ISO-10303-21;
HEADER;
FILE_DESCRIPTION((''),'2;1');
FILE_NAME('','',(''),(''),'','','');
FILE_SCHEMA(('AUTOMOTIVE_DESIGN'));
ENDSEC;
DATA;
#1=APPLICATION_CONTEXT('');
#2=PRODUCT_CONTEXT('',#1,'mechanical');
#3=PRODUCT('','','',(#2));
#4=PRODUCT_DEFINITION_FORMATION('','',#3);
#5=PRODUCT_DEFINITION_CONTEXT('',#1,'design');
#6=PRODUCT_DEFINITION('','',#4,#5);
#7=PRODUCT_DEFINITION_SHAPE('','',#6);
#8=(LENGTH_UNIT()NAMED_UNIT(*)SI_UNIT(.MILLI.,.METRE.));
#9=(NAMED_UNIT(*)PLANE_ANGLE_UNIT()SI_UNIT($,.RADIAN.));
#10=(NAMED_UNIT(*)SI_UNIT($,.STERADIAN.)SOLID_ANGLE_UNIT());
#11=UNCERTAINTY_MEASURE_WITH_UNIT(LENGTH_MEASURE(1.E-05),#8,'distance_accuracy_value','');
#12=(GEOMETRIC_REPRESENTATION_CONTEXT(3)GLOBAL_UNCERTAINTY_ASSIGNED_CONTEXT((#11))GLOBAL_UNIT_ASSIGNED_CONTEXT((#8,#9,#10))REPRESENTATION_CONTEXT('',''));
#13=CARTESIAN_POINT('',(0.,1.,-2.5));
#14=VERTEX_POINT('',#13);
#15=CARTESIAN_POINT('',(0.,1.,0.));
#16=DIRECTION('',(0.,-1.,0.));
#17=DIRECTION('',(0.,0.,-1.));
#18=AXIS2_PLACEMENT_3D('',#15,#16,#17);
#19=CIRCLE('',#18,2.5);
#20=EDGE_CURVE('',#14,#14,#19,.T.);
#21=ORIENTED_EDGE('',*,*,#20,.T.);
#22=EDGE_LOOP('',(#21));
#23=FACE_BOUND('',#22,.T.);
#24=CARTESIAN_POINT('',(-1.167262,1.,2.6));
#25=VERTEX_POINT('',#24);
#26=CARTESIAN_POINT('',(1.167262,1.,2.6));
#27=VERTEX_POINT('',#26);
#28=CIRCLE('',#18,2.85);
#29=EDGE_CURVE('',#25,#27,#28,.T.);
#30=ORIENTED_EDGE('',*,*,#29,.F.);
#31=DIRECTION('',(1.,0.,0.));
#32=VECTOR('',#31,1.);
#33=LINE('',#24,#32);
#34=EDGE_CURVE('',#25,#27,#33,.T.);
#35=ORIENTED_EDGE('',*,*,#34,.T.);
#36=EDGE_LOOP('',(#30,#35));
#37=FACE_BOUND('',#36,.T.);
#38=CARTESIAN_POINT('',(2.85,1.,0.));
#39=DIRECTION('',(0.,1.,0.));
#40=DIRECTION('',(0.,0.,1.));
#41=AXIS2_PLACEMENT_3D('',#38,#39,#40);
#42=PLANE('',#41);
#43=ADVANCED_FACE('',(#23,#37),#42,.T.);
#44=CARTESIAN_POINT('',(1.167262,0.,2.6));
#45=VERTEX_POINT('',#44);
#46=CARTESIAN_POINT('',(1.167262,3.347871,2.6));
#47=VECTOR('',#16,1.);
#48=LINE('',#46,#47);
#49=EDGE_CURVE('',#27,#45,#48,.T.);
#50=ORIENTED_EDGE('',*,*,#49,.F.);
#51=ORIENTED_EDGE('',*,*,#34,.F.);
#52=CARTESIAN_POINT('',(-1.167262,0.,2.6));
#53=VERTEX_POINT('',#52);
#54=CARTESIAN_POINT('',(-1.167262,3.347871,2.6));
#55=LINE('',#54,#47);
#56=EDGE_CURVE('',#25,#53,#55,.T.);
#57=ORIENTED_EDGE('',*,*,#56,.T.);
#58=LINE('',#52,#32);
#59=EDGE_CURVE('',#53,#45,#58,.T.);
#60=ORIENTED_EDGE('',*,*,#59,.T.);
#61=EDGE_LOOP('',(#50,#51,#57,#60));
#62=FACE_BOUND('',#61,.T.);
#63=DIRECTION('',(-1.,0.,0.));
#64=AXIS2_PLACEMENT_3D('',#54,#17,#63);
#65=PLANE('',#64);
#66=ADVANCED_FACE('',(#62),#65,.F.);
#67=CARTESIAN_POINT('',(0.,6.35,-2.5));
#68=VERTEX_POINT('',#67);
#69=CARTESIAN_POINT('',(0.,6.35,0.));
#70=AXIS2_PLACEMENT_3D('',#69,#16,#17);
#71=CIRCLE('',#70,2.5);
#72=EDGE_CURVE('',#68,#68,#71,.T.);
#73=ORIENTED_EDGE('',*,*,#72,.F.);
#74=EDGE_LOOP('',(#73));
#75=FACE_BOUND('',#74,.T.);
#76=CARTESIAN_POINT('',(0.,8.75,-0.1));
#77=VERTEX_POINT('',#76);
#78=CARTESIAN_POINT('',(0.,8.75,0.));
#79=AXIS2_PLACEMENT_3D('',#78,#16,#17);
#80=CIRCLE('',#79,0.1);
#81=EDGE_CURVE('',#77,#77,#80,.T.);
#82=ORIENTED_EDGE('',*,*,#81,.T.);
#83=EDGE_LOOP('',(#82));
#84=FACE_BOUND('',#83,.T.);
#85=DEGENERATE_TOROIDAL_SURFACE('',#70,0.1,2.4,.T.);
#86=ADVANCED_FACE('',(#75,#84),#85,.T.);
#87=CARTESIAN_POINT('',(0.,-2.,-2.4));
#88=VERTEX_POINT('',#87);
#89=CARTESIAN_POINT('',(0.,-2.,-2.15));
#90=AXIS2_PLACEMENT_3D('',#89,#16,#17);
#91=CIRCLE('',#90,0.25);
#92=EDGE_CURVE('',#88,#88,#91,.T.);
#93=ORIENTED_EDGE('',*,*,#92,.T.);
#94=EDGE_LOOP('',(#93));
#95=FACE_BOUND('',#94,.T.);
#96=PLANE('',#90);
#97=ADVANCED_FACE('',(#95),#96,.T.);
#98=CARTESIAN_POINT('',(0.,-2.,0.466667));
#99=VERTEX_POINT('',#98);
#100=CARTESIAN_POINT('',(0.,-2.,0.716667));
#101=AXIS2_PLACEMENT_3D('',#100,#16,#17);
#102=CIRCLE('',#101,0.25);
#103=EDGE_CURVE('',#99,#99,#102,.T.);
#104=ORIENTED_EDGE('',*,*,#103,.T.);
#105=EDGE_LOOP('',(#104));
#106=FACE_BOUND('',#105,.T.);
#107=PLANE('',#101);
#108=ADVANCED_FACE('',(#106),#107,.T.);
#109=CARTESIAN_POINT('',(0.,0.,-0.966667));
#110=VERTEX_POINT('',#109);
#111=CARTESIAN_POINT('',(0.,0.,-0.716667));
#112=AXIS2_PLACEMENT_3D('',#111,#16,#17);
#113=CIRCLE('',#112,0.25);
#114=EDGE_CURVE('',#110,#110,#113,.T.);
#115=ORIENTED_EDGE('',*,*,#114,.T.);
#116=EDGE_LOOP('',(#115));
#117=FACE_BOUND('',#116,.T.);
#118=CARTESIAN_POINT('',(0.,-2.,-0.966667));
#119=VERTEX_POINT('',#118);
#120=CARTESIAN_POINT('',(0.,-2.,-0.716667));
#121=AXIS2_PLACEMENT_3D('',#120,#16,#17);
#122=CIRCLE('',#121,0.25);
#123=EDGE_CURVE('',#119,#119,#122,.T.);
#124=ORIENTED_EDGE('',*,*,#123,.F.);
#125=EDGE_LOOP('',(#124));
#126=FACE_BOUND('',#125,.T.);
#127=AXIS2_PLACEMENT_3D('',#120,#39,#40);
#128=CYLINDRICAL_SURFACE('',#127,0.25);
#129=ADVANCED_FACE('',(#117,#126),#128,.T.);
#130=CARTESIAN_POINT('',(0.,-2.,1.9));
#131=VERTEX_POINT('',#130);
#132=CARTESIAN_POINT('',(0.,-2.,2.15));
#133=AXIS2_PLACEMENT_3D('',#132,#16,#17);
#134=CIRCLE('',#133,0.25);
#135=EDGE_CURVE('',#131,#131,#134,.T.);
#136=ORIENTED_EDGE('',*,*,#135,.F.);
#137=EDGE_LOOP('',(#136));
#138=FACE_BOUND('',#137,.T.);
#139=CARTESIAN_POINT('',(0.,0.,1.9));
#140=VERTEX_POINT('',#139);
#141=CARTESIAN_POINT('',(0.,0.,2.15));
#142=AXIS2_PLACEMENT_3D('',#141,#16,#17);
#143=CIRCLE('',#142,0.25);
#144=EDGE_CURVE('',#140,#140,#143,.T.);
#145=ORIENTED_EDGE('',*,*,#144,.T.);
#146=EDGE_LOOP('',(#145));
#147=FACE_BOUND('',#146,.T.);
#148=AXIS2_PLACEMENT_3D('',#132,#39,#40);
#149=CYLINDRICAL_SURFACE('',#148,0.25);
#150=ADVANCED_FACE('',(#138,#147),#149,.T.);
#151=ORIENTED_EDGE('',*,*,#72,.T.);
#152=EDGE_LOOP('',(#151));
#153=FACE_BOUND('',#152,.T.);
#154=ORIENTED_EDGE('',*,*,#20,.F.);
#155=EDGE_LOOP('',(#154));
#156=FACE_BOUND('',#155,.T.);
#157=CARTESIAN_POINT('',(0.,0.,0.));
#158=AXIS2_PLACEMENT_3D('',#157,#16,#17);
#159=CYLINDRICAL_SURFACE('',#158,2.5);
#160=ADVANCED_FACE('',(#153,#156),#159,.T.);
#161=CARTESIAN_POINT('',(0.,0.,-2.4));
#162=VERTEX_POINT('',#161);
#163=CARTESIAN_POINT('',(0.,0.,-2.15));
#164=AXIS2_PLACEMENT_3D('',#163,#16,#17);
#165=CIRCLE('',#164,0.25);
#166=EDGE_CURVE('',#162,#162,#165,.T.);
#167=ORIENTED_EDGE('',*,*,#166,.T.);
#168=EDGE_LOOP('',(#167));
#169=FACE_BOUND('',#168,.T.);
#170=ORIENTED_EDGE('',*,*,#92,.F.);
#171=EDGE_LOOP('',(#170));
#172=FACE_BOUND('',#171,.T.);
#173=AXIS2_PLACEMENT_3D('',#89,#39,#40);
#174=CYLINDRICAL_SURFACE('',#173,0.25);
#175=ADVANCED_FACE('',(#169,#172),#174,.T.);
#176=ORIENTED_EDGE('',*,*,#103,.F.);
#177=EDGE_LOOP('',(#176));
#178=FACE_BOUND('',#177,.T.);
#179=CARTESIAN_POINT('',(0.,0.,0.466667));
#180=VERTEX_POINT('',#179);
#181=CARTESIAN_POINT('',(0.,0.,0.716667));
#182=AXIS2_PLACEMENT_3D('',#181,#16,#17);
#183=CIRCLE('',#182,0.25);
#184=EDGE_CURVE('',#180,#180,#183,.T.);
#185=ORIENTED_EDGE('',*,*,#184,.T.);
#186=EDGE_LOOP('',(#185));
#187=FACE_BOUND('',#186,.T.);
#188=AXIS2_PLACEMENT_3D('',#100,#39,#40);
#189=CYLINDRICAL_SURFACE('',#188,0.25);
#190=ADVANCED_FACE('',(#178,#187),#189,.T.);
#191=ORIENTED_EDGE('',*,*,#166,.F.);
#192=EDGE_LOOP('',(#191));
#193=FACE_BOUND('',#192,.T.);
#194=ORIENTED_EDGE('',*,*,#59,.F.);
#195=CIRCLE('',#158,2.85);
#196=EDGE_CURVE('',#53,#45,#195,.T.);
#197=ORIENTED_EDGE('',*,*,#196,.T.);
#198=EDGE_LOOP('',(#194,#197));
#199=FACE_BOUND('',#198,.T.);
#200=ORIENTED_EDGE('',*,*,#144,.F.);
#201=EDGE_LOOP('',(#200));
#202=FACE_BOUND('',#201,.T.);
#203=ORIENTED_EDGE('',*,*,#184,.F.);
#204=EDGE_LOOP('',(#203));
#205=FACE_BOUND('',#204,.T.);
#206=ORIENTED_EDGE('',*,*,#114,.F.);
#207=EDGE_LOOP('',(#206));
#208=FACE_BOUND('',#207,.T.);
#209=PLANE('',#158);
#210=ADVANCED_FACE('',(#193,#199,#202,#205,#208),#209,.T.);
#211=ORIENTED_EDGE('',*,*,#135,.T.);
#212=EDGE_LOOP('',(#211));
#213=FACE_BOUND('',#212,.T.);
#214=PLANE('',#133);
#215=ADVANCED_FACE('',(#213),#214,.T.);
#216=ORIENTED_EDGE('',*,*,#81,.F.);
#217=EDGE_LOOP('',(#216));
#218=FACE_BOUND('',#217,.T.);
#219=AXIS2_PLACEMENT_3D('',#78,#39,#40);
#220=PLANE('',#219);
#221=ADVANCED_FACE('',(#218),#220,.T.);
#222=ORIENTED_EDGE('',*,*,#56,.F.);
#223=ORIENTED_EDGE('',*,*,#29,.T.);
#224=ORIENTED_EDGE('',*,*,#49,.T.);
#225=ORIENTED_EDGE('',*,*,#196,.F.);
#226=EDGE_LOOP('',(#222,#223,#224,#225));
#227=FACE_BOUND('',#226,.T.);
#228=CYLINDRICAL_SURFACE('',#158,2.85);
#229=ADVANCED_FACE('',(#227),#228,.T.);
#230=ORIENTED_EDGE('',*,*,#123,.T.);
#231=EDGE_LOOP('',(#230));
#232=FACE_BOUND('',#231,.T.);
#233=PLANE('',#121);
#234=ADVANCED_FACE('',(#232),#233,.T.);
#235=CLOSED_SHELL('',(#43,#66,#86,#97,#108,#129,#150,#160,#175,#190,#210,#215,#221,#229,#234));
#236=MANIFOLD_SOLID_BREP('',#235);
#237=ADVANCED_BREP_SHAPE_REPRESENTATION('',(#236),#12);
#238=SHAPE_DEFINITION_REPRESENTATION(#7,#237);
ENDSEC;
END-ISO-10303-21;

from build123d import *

# Parameters (mm, degrees)
CUT_EXTRUDE1_DEPTH  = 1
SKETCH3_R           = 0.25
BOSS_EXTRUDE1_DEPTH = 2


with BuildPart() as part:
    # Sketch1 → Revolve1 (revolve)
    with BuildSketch(Plane.XY):
        with BuildLine():
            Line((0, 0), (0, 8.75))
            Line((0, 8.75), (0.1, 8.75))
            ThreePointArc((0.1, 8.75), (1.797056275, 8.047056275), (2.5, 6.35))
            Line((2.5, 6.35), (2.5, 1))
            Line((2.5, 1), (2.85, 1))
            Line((2.85, 1), (2.85, 0))
            Line((2.85, 0), (0, 0))
        make_face()
    revolve(axis=Axis((0, 0, 0), (0, 1, 0)))

    # Sketch2 → Cut-Extrude1 (cut)
    with BuildSketch(Plane.XZ):
        with BuildLine():
            Line((-1.167261753, 2.6), (1.167261753, 2.6))
            ThreePointArc((1.167261753, 2.6), (0, 2.85), (-1.167261753, 2.6))
        make_face()
    extrude(amount=-CUT_EXTRUDE1_DEPTH, mode=Mode.SUBTRACT)

    # Sketch3 → Boss-Extrude1 (add)
    with BuildSketch(Plane.XZ):
        with Locations((0, -2.15)):
            Circle(SKETCH3_R)
        with Locations((0, 2.15)):
            Circle(SKETCH3_R)
        with Locations((0, -0.716666667)):
            Circle(SKETCH3_R)
        with Locations((0, 0.716666667)):
            Circle(SKETCH3_R)
    extrude(amount=BOSS_EXTRUDE1_DEPTH)


solid = part.part
